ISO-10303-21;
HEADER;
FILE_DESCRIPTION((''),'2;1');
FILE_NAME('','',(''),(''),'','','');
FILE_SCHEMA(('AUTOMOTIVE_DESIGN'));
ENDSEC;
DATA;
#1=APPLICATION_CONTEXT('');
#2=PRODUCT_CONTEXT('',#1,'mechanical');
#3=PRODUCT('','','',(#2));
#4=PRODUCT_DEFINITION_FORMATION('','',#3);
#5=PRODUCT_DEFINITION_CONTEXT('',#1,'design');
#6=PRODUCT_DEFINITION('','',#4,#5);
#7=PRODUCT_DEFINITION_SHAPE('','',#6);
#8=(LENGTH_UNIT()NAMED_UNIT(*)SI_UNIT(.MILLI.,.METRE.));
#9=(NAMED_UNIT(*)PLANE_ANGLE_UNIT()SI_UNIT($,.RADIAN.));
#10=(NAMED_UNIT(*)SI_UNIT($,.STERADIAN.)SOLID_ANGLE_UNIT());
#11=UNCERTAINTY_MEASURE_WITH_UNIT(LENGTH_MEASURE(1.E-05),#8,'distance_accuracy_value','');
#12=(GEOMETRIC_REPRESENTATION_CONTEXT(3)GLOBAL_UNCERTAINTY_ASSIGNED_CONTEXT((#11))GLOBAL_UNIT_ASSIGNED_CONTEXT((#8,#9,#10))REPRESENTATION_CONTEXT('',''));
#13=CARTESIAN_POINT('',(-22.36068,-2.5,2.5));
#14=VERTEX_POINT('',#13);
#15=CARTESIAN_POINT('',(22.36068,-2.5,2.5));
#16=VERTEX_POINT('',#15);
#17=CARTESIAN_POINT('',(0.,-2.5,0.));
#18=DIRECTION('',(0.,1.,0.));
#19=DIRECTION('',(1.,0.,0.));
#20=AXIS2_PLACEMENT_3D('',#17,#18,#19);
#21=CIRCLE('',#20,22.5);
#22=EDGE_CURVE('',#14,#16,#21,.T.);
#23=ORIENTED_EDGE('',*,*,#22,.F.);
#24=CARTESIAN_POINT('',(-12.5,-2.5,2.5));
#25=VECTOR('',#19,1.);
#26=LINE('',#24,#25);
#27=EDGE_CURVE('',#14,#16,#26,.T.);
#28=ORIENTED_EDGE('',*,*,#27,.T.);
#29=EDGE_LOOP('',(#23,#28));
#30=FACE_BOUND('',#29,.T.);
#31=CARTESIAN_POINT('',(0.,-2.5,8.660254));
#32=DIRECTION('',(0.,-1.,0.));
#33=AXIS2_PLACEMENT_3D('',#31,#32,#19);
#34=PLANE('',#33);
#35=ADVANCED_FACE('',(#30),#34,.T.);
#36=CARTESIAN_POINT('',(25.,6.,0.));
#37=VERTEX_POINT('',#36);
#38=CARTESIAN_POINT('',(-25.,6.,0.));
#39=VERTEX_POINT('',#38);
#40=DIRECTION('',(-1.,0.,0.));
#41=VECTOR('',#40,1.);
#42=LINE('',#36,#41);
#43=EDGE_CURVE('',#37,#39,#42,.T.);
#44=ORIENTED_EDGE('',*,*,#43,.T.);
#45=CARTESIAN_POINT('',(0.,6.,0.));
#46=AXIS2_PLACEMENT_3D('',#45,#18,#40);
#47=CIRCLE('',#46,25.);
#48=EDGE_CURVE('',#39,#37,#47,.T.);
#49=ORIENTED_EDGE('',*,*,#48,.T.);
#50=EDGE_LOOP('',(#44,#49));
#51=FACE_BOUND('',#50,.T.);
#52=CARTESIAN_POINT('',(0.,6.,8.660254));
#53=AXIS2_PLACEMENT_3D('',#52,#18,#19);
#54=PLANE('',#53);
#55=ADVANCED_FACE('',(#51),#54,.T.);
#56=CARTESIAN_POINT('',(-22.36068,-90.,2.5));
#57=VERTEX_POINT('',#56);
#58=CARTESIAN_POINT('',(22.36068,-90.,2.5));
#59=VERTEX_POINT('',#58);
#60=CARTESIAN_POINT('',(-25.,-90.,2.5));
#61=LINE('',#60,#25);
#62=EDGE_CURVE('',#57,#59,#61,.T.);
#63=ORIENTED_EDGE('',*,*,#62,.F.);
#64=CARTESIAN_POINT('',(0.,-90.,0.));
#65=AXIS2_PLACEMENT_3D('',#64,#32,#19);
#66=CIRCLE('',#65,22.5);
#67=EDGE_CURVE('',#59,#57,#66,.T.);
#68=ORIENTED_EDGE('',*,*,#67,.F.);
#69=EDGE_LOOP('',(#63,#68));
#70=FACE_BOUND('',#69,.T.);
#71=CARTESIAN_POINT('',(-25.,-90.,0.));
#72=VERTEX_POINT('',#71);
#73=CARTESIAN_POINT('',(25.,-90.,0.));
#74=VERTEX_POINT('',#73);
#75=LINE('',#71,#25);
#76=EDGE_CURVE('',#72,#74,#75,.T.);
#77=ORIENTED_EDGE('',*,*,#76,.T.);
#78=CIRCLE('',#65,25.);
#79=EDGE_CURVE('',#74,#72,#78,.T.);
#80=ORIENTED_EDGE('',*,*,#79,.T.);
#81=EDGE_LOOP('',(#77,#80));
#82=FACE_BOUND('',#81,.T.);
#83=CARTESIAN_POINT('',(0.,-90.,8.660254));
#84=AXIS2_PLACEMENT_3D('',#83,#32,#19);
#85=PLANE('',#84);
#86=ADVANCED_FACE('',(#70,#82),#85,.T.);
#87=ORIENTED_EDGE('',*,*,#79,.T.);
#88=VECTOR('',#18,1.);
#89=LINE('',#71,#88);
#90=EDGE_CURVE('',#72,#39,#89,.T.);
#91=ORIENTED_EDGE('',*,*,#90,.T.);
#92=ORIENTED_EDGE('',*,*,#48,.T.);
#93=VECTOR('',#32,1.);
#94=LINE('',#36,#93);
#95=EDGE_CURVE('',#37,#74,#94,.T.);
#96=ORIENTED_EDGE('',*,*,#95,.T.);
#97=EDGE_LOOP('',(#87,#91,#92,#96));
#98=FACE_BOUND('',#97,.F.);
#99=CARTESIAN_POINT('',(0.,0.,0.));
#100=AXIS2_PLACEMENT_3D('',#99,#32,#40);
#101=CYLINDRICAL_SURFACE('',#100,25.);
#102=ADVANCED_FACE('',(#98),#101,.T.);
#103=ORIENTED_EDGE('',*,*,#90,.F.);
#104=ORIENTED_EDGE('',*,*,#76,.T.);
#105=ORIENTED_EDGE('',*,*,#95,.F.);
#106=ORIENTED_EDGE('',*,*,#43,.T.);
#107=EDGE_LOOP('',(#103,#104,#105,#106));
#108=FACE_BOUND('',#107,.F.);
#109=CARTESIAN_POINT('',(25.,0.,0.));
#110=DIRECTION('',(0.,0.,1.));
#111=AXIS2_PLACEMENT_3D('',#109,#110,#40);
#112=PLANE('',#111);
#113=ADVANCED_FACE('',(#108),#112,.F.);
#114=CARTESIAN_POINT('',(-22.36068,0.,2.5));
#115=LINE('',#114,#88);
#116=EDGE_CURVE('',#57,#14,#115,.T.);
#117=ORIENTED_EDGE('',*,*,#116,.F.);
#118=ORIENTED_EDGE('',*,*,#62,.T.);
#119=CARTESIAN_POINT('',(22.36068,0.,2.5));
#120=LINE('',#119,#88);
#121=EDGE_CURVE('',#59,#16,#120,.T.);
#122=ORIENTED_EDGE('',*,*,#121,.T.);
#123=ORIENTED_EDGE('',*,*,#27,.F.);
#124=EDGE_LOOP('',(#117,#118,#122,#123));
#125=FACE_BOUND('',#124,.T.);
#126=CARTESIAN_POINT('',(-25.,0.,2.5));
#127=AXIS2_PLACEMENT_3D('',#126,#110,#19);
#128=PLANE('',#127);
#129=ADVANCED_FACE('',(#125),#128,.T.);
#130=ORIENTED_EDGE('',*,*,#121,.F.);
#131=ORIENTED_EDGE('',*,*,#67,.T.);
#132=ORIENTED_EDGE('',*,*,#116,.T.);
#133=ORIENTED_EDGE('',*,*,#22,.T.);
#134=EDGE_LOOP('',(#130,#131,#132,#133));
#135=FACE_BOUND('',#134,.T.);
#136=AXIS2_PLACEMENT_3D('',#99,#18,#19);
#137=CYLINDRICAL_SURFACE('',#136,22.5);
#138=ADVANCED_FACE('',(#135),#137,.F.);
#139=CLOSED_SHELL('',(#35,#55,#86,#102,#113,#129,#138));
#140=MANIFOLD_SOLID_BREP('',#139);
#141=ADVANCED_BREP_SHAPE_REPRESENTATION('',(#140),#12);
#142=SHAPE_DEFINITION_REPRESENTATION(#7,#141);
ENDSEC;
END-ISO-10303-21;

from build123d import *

# Parameters (mm, degrees)
F1_DEPTH = 90
F2_T     = -2.5
F3_DEPTH = 6
F5_DEPTH = 50


with BuildPart() as f1:
    # F0 (on Front) → F1 (new body)
    with BuildSketch(Plane.XZ):
        with BuildLine():
            Line((-25, 0), (25, 0))
            ThreePointArc((25, 0), (0, 25), (-25, 0))
        make_face()
    extrude(amount=F1_DEPTH)

    # F2
    f2_openings = [f1.faces().sort_by_distance(p)[0] for p in [
        (0, -90, 10.61033),
    ]]
    offset(amount=F2_T, openings=f2_openings)

    # F1_face (on face) → F3 (join)
    with BuildSketch(Plane(origin=(0, 0, 10.61033), x_dir=(1, 0, 0), z_dir=(0, 1, 0))):
        with BuildLine():
            Line((25, 10.61033), (-25, 10.61033))
            ThreePointArc((-25, 10.61033), (0, -14.38967), (25, 10.61033))
        make_face()
    extrude(amount=F3_DEPTH)

    # F4 (on Right) → F5 (cut, symmetric)
    with BuildSketch(Plane.YZ):
        Polygon((6, 47.765567), (6, 9.95), (8, 11.104701), (8, 47.765567), align=None)
        Polygon((8, -11.104701), (6, -9.95), (6, -25.27874), (8, -25.27874), align=None)
    extrude(amount=F5_DEPTH, both=True, mode=Mode.SUBTRACT)


solid = f1.part
